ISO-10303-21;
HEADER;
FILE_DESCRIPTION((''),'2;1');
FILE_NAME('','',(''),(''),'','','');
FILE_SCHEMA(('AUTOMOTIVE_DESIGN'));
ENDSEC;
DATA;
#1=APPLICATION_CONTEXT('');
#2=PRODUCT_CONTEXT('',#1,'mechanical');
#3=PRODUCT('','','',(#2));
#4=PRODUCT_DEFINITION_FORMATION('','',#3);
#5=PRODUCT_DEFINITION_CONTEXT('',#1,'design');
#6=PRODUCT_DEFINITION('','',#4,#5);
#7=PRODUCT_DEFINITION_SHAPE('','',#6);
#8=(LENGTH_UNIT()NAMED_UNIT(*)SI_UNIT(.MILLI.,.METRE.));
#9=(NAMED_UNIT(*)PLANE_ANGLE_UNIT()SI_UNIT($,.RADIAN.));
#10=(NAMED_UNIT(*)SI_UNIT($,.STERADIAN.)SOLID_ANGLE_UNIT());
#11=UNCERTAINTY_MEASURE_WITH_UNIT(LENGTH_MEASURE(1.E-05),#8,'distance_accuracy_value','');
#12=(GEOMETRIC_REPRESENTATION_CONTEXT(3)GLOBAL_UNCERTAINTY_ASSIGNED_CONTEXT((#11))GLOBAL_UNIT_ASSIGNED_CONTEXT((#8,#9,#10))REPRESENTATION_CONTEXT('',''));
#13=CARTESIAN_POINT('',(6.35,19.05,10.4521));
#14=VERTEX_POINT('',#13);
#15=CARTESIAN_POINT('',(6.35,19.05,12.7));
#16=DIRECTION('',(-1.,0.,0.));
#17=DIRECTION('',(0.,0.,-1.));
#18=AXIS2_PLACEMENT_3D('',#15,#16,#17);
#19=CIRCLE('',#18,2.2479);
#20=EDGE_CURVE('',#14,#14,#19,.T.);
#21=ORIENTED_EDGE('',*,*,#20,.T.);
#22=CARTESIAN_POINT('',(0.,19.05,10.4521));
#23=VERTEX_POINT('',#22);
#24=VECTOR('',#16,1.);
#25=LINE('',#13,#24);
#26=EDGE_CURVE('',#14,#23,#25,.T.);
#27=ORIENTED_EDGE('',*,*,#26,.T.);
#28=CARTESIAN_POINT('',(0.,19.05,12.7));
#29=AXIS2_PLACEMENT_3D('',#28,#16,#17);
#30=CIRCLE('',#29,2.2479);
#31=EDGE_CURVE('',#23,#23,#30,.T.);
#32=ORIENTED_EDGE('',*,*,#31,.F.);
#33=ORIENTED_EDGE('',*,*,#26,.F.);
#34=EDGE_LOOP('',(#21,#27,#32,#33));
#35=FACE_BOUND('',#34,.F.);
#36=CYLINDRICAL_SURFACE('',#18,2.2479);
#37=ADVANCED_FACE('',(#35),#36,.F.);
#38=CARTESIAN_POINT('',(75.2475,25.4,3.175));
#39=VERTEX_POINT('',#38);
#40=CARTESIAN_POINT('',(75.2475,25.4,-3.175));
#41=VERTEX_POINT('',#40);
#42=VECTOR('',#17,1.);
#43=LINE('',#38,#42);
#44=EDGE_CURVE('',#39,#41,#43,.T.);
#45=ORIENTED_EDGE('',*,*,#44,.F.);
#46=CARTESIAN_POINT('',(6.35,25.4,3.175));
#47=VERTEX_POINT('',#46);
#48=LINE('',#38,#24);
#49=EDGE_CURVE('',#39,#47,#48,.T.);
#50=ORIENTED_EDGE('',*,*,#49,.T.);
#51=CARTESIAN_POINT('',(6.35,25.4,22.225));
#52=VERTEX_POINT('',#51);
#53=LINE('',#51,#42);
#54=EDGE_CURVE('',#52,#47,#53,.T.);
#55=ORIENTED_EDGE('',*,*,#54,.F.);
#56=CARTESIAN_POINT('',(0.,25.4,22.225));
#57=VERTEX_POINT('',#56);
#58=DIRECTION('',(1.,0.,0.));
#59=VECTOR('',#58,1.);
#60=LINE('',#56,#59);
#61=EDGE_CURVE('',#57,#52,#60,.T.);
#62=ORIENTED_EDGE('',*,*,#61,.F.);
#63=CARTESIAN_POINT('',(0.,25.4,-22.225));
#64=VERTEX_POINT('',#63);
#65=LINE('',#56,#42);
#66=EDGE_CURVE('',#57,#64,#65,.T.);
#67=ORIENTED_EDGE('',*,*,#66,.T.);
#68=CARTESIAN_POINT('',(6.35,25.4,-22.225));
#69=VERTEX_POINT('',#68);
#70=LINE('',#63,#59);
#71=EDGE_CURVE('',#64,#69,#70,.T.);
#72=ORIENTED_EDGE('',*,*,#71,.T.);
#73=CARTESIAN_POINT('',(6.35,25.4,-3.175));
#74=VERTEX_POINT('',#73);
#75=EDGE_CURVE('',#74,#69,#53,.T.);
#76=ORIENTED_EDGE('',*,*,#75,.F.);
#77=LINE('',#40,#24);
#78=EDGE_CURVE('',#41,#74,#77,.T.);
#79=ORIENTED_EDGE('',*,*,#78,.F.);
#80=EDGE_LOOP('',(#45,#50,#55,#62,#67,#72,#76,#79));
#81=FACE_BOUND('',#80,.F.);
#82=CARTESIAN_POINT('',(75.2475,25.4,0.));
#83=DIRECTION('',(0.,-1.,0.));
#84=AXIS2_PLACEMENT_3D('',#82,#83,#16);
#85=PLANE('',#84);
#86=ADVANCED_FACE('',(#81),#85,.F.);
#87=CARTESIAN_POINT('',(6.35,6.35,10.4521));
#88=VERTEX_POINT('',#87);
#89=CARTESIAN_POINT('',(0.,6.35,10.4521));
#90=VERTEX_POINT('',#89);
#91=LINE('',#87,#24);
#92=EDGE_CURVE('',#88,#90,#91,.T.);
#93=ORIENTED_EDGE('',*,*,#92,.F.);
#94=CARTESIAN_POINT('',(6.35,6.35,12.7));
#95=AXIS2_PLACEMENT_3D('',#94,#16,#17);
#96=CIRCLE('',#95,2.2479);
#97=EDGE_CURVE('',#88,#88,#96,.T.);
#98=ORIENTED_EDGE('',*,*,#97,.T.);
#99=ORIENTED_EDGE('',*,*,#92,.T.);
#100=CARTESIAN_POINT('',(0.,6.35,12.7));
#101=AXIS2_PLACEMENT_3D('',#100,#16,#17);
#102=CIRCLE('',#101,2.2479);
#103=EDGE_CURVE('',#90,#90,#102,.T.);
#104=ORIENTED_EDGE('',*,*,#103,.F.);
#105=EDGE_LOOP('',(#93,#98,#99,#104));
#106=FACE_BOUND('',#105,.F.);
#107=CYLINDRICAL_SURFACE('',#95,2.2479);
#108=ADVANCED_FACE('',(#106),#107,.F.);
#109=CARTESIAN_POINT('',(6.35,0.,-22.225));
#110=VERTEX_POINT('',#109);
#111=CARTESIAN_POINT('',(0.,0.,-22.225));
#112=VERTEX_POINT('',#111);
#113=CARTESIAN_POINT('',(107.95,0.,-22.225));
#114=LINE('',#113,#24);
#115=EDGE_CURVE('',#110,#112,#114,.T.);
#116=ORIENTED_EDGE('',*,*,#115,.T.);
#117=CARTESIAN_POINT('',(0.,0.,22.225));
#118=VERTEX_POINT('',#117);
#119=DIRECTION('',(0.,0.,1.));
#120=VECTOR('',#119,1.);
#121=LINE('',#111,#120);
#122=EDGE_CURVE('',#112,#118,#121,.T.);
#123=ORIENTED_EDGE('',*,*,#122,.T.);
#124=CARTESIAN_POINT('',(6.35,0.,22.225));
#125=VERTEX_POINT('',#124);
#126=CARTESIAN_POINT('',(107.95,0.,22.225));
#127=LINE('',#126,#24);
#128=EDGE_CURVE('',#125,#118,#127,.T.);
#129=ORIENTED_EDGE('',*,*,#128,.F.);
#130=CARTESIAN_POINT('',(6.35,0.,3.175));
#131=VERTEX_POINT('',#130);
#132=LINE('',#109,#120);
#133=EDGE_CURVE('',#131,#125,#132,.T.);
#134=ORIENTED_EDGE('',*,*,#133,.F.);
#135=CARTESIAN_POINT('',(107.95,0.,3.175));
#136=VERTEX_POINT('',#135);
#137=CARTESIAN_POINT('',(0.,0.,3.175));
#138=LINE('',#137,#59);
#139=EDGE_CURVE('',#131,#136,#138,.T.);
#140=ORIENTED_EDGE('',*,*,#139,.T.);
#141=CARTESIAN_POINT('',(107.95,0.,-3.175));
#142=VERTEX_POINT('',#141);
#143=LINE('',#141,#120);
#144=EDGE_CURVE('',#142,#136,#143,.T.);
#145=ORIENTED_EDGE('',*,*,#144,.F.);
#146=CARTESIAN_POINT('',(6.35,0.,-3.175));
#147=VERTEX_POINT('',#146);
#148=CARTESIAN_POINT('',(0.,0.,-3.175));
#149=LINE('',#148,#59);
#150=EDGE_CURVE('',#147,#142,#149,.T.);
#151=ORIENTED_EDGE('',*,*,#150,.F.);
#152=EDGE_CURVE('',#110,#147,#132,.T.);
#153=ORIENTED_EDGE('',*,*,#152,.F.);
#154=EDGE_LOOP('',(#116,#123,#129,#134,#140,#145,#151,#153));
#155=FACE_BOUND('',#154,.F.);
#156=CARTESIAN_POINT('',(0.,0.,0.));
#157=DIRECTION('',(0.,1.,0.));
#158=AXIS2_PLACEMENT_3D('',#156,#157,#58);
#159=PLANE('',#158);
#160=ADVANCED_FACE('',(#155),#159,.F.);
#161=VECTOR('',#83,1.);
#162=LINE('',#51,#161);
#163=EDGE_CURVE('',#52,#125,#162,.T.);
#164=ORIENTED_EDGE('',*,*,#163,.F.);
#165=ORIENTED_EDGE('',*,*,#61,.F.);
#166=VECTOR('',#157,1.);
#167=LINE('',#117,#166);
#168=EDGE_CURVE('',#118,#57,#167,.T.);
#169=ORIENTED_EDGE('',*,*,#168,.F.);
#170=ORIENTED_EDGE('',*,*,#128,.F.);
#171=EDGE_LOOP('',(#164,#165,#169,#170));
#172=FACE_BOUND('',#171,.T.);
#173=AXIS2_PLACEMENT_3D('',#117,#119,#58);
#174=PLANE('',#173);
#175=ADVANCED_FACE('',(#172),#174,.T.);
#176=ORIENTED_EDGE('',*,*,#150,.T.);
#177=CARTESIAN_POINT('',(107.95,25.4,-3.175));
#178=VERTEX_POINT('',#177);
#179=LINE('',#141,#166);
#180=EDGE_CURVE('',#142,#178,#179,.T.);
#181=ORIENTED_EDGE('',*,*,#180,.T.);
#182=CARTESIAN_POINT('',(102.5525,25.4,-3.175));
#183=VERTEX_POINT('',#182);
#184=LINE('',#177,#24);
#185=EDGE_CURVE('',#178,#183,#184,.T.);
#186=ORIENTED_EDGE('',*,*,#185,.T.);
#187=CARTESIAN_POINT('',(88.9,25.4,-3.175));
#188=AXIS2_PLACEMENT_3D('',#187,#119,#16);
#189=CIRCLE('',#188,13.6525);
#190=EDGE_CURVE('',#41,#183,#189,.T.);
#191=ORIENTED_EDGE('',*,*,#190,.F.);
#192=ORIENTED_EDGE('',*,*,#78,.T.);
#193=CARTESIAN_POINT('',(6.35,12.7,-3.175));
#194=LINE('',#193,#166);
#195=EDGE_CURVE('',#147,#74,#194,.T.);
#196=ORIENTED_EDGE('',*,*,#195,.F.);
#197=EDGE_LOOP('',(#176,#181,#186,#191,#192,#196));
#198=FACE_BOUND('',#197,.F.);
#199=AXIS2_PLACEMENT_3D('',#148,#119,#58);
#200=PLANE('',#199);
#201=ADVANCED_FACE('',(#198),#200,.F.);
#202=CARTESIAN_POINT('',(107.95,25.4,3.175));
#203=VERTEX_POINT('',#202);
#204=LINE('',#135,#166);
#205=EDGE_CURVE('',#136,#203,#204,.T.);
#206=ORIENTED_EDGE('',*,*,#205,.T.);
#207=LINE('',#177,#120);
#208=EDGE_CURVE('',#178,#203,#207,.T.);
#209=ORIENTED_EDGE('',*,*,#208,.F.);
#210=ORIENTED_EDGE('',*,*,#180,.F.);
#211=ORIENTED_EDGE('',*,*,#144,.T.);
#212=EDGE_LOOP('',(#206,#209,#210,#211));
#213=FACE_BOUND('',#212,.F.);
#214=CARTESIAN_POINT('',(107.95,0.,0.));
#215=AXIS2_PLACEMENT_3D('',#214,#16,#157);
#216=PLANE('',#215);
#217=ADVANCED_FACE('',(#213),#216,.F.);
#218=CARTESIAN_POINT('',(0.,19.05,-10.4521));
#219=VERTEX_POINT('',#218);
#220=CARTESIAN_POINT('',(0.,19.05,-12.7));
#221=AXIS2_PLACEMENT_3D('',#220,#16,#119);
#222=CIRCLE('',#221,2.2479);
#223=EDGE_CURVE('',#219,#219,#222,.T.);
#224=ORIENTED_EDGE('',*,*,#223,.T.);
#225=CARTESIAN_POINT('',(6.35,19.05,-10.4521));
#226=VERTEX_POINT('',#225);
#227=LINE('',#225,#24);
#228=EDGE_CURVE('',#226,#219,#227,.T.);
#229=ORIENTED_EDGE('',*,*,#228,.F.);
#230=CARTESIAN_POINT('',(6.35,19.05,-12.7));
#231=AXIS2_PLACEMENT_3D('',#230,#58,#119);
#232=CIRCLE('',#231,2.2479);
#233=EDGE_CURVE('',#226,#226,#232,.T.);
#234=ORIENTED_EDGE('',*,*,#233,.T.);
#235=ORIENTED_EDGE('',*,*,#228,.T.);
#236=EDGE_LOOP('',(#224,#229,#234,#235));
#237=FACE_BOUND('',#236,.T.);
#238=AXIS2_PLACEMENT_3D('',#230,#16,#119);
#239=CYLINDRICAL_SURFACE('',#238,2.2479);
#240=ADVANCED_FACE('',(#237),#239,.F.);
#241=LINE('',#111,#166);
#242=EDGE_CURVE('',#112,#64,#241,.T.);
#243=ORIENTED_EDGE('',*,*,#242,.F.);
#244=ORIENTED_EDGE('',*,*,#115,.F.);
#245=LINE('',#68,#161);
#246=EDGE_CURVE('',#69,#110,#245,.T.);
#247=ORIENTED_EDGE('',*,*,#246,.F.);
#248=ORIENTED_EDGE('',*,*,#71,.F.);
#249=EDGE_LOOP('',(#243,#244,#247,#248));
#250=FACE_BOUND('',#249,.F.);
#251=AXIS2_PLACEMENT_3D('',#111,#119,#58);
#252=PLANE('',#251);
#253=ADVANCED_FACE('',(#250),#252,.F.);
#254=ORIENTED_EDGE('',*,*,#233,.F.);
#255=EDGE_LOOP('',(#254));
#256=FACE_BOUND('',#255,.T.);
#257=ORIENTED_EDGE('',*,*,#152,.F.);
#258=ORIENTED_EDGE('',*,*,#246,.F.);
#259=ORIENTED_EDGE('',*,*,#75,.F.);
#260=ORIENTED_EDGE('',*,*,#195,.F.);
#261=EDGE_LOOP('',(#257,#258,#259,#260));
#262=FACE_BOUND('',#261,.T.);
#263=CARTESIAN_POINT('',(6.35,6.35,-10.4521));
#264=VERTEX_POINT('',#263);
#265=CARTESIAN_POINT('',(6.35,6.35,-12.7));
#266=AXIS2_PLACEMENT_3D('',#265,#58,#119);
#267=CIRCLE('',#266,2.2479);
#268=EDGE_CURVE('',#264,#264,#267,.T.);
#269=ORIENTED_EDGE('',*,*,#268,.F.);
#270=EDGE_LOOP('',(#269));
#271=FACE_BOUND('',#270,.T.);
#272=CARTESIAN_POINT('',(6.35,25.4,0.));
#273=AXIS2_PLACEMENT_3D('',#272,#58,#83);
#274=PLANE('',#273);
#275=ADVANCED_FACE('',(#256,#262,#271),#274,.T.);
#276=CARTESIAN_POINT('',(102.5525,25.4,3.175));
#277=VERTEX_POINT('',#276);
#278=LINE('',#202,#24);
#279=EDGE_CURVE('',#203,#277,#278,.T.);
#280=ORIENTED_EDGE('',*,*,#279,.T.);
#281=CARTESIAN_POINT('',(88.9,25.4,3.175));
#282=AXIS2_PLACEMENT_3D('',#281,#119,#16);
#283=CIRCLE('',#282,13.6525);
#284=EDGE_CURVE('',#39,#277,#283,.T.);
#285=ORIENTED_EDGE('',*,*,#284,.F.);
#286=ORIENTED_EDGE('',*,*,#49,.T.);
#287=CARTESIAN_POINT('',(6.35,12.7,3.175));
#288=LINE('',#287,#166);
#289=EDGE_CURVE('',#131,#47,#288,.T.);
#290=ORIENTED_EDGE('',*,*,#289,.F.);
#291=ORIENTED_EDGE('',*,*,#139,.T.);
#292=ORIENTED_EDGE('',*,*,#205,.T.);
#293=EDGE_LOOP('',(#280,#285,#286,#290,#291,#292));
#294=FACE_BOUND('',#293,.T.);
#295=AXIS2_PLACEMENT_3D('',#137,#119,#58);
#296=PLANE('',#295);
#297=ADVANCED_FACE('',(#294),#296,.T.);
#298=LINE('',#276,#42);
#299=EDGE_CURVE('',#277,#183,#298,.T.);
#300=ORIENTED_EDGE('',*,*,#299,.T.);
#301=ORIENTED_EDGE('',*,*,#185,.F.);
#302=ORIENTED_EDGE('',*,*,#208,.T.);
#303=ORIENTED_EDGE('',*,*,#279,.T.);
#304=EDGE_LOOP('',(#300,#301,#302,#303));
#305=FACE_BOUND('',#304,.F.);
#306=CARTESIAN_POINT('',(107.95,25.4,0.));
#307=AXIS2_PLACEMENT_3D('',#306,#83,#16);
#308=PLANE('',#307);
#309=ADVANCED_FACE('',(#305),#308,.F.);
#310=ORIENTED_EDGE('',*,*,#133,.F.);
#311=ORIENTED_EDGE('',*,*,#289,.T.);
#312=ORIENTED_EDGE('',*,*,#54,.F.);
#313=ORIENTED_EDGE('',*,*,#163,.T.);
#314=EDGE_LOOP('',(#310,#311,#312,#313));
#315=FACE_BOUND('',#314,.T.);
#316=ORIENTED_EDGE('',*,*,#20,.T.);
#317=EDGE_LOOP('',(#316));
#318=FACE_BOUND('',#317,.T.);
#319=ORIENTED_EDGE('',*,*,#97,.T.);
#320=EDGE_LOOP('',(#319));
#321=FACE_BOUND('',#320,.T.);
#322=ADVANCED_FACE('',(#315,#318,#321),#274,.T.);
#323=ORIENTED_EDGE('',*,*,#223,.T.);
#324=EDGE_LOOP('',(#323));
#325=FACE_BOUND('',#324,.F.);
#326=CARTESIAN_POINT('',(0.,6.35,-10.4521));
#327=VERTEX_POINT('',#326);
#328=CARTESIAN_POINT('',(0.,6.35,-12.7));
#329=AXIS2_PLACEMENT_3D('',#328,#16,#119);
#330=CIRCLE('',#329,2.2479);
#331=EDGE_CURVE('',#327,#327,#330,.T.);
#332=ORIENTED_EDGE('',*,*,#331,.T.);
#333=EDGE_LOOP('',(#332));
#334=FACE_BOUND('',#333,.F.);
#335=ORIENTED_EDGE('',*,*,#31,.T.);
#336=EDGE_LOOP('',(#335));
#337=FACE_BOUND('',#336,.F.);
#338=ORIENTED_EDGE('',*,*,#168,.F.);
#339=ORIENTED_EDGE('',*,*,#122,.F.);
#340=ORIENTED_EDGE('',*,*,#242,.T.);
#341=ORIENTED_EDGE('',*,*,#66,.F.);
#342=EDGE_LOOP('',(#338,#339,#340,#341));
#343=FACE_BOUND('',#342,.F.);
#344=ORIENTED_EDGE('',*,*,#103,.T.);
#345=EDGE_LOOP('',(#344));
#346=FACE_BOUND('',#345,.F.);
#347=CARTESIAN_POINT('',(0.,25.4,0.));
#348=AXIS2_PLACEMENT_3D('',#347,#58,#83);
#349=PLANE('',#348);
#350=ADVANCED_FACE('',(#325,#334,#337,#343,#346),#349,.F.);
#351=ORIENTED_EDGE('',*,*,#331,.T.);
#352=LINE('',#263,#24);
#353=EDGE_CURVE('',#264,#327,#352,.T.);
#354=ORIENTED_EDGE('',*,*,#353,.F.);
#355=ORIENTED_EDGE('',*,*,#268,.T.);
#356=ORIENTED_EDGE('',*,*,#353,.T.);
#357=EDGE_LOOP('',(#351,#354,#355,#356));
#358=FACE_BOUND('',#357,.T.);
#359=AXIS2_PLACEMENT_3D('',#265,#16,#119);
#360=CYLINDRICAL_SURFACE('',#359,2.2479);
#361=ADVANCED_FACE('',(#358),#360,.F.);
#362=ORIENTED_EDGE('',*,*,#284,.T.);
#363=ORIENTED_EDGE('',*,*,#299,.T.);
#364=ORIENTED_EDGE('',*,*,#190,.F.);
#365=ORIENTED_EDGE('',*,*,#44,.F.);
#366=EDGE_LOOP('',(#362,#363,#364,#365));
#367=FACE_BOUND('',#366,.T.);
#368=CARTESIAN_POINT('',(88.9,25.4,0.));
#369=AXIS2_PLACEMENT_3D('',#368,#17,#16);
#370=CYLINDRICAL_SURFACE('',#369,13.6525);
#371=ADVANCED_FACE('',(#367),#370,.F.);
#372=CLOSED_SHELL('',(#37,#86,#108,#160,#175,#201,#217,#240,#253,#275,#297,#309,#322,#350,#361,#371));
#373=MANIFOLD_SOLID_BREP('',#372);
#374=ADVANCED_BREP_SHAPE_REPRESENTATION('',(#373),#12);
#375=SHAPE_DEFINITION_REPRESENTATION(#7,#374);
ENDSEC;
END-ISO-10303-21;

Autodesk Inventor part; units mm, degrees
ref_plane "YZ Plane" through (0, 0, 0) normal (1, 0, 0) x (0, 1, 0)
ref_plane "XZ Plane" through (0, 0, 0) normal (0, 1, 0) x (-1, 0, 0)
ref_plane "XY Plane" through (0, 0, 0) normal (0, 0, 1) x (1, 0, 0)
sketch "Sketch2" plane through (0, 0, 0) normal (0, 0, 1) x (1, 0, 0)
  line L0 (0, 0) -> (107.95, 0)
  line L1 (107.95, 0) -> (107.95, 25.4)
  line L2 (0, 25.4) -> (0, 0)
  arc A0 (75.2475, 25.4) -> (102.5525, 25.4) centre (88.9, 25.4) ccw
  line L3 (107.95, 25.4) -> (102.5525, 25.4)
  line L4 (75.2475, 25.4) -> (0, 25.4)
  dimension "d0" = 107.95
  dimension "d1" = 25.4
  dimension "d2" = 27.305
  dimension "d3" = 88.9
extrude "Extrusion1" add sketch "Sketch2" along normal mid plane 6.35
sketch "Sketch3" plane through (0, 0, 0) normal (0, 0, 1) x (1, 0, 0)
  line L0 (0, 0) -> (0, 25.4) projected
  line L1 (0, 25.4) -> (75.2475, 25.4) projected
  line L2 (107.95, 0) -> (0, 0) projected
  line L3 (0, 25.4) -> (6.35, 25.4)
  line L4 (6.35, 25.4) -> (6.35, 0)
  line L5 (6.35, 0) -> (0, 0)
  line L6 (0, 0) -> (0, 25.4)
  dimension "d17" = 6.35
extrude "Extrusion2" add sketch "Sketch3" along normal mid plane 44.45
sketch "Sketch4" plane through (6.35, 0, 3.175) normal (1, 0, 0) x (0, 0, -1)
  line L0 (-19.05, 0) -> (-19.05, 25.4) projected
  line L1 (-19.05, 25.4) -> (0, 25.4) projected
  line L2 (0, 0) -> (-19.05, 0) projected
  line L3 (0, 25.4) -> (0, 0) projected
  line L4 (-19.05, 25.4) -> (25.4, 25.4) construction
  line L5 (-9.525, 25.4) -> (-9.525, 0) construction
  point P0 (3.175, 0)
  point P1 (-9.525, 19.05)
  point P2 (-9.525, 6.35)
  dimension "d8" = 6.35
  dimension "d9" = 6.35
hole "Hole1" at (6.35, 19.05, 12.7) at (6.35, 6.35, 12.7) direction (-1, 0, 0) diameter 4.4958 end through all clearance for "Socket Head Cap Screw" size "#8" standard "Ansi Unified Screw Threads"
mirror "Mirror1" about plane through (0, 0, 0) normal (0, 0, 1) of "Hole1"
ref_plane "Work Plane1" through (0, 0, 0) normal (0, 0, 1) x (1, 0, 0)
equation "\"d0\" = supportLength"
equation "\"d1\" = supportHeight"
equation "\"d2\" = pipeDiameter"
equation "\"d3\" = distanceFromWallToPipeCenter"
equation "\"d4\" = supportWidth"
equation "\"d17\" = screwHoldDepth"
equation "\"d6\" = totalScrewHoldWidth"
equation "\"d8\" = screwPositionFromTop"
equation "\"d9\" = screwPositionFromTop"
equation "\"pipeDiameter\" = 27.305"
equation "\"distanceFromWallToPipeCenter\" = 88.9"
equation "\"supportLength\" = 107.95"
equation "\"supportHeight\" = 25.4"
equation "\"supportWidth\" = 6.35"
equation "\"screwHoldDepth\" = 6.35"
equation "\"screwHoldWidthExtension\" = 19.05"
equation "\"totalScrewHoldWidth\" = supportWidth + 2 * screwHoldWidthExtension"
equation "\"screwPositionFromTop\" = 6.35"
properties part number "irrigationPipeSupport"
